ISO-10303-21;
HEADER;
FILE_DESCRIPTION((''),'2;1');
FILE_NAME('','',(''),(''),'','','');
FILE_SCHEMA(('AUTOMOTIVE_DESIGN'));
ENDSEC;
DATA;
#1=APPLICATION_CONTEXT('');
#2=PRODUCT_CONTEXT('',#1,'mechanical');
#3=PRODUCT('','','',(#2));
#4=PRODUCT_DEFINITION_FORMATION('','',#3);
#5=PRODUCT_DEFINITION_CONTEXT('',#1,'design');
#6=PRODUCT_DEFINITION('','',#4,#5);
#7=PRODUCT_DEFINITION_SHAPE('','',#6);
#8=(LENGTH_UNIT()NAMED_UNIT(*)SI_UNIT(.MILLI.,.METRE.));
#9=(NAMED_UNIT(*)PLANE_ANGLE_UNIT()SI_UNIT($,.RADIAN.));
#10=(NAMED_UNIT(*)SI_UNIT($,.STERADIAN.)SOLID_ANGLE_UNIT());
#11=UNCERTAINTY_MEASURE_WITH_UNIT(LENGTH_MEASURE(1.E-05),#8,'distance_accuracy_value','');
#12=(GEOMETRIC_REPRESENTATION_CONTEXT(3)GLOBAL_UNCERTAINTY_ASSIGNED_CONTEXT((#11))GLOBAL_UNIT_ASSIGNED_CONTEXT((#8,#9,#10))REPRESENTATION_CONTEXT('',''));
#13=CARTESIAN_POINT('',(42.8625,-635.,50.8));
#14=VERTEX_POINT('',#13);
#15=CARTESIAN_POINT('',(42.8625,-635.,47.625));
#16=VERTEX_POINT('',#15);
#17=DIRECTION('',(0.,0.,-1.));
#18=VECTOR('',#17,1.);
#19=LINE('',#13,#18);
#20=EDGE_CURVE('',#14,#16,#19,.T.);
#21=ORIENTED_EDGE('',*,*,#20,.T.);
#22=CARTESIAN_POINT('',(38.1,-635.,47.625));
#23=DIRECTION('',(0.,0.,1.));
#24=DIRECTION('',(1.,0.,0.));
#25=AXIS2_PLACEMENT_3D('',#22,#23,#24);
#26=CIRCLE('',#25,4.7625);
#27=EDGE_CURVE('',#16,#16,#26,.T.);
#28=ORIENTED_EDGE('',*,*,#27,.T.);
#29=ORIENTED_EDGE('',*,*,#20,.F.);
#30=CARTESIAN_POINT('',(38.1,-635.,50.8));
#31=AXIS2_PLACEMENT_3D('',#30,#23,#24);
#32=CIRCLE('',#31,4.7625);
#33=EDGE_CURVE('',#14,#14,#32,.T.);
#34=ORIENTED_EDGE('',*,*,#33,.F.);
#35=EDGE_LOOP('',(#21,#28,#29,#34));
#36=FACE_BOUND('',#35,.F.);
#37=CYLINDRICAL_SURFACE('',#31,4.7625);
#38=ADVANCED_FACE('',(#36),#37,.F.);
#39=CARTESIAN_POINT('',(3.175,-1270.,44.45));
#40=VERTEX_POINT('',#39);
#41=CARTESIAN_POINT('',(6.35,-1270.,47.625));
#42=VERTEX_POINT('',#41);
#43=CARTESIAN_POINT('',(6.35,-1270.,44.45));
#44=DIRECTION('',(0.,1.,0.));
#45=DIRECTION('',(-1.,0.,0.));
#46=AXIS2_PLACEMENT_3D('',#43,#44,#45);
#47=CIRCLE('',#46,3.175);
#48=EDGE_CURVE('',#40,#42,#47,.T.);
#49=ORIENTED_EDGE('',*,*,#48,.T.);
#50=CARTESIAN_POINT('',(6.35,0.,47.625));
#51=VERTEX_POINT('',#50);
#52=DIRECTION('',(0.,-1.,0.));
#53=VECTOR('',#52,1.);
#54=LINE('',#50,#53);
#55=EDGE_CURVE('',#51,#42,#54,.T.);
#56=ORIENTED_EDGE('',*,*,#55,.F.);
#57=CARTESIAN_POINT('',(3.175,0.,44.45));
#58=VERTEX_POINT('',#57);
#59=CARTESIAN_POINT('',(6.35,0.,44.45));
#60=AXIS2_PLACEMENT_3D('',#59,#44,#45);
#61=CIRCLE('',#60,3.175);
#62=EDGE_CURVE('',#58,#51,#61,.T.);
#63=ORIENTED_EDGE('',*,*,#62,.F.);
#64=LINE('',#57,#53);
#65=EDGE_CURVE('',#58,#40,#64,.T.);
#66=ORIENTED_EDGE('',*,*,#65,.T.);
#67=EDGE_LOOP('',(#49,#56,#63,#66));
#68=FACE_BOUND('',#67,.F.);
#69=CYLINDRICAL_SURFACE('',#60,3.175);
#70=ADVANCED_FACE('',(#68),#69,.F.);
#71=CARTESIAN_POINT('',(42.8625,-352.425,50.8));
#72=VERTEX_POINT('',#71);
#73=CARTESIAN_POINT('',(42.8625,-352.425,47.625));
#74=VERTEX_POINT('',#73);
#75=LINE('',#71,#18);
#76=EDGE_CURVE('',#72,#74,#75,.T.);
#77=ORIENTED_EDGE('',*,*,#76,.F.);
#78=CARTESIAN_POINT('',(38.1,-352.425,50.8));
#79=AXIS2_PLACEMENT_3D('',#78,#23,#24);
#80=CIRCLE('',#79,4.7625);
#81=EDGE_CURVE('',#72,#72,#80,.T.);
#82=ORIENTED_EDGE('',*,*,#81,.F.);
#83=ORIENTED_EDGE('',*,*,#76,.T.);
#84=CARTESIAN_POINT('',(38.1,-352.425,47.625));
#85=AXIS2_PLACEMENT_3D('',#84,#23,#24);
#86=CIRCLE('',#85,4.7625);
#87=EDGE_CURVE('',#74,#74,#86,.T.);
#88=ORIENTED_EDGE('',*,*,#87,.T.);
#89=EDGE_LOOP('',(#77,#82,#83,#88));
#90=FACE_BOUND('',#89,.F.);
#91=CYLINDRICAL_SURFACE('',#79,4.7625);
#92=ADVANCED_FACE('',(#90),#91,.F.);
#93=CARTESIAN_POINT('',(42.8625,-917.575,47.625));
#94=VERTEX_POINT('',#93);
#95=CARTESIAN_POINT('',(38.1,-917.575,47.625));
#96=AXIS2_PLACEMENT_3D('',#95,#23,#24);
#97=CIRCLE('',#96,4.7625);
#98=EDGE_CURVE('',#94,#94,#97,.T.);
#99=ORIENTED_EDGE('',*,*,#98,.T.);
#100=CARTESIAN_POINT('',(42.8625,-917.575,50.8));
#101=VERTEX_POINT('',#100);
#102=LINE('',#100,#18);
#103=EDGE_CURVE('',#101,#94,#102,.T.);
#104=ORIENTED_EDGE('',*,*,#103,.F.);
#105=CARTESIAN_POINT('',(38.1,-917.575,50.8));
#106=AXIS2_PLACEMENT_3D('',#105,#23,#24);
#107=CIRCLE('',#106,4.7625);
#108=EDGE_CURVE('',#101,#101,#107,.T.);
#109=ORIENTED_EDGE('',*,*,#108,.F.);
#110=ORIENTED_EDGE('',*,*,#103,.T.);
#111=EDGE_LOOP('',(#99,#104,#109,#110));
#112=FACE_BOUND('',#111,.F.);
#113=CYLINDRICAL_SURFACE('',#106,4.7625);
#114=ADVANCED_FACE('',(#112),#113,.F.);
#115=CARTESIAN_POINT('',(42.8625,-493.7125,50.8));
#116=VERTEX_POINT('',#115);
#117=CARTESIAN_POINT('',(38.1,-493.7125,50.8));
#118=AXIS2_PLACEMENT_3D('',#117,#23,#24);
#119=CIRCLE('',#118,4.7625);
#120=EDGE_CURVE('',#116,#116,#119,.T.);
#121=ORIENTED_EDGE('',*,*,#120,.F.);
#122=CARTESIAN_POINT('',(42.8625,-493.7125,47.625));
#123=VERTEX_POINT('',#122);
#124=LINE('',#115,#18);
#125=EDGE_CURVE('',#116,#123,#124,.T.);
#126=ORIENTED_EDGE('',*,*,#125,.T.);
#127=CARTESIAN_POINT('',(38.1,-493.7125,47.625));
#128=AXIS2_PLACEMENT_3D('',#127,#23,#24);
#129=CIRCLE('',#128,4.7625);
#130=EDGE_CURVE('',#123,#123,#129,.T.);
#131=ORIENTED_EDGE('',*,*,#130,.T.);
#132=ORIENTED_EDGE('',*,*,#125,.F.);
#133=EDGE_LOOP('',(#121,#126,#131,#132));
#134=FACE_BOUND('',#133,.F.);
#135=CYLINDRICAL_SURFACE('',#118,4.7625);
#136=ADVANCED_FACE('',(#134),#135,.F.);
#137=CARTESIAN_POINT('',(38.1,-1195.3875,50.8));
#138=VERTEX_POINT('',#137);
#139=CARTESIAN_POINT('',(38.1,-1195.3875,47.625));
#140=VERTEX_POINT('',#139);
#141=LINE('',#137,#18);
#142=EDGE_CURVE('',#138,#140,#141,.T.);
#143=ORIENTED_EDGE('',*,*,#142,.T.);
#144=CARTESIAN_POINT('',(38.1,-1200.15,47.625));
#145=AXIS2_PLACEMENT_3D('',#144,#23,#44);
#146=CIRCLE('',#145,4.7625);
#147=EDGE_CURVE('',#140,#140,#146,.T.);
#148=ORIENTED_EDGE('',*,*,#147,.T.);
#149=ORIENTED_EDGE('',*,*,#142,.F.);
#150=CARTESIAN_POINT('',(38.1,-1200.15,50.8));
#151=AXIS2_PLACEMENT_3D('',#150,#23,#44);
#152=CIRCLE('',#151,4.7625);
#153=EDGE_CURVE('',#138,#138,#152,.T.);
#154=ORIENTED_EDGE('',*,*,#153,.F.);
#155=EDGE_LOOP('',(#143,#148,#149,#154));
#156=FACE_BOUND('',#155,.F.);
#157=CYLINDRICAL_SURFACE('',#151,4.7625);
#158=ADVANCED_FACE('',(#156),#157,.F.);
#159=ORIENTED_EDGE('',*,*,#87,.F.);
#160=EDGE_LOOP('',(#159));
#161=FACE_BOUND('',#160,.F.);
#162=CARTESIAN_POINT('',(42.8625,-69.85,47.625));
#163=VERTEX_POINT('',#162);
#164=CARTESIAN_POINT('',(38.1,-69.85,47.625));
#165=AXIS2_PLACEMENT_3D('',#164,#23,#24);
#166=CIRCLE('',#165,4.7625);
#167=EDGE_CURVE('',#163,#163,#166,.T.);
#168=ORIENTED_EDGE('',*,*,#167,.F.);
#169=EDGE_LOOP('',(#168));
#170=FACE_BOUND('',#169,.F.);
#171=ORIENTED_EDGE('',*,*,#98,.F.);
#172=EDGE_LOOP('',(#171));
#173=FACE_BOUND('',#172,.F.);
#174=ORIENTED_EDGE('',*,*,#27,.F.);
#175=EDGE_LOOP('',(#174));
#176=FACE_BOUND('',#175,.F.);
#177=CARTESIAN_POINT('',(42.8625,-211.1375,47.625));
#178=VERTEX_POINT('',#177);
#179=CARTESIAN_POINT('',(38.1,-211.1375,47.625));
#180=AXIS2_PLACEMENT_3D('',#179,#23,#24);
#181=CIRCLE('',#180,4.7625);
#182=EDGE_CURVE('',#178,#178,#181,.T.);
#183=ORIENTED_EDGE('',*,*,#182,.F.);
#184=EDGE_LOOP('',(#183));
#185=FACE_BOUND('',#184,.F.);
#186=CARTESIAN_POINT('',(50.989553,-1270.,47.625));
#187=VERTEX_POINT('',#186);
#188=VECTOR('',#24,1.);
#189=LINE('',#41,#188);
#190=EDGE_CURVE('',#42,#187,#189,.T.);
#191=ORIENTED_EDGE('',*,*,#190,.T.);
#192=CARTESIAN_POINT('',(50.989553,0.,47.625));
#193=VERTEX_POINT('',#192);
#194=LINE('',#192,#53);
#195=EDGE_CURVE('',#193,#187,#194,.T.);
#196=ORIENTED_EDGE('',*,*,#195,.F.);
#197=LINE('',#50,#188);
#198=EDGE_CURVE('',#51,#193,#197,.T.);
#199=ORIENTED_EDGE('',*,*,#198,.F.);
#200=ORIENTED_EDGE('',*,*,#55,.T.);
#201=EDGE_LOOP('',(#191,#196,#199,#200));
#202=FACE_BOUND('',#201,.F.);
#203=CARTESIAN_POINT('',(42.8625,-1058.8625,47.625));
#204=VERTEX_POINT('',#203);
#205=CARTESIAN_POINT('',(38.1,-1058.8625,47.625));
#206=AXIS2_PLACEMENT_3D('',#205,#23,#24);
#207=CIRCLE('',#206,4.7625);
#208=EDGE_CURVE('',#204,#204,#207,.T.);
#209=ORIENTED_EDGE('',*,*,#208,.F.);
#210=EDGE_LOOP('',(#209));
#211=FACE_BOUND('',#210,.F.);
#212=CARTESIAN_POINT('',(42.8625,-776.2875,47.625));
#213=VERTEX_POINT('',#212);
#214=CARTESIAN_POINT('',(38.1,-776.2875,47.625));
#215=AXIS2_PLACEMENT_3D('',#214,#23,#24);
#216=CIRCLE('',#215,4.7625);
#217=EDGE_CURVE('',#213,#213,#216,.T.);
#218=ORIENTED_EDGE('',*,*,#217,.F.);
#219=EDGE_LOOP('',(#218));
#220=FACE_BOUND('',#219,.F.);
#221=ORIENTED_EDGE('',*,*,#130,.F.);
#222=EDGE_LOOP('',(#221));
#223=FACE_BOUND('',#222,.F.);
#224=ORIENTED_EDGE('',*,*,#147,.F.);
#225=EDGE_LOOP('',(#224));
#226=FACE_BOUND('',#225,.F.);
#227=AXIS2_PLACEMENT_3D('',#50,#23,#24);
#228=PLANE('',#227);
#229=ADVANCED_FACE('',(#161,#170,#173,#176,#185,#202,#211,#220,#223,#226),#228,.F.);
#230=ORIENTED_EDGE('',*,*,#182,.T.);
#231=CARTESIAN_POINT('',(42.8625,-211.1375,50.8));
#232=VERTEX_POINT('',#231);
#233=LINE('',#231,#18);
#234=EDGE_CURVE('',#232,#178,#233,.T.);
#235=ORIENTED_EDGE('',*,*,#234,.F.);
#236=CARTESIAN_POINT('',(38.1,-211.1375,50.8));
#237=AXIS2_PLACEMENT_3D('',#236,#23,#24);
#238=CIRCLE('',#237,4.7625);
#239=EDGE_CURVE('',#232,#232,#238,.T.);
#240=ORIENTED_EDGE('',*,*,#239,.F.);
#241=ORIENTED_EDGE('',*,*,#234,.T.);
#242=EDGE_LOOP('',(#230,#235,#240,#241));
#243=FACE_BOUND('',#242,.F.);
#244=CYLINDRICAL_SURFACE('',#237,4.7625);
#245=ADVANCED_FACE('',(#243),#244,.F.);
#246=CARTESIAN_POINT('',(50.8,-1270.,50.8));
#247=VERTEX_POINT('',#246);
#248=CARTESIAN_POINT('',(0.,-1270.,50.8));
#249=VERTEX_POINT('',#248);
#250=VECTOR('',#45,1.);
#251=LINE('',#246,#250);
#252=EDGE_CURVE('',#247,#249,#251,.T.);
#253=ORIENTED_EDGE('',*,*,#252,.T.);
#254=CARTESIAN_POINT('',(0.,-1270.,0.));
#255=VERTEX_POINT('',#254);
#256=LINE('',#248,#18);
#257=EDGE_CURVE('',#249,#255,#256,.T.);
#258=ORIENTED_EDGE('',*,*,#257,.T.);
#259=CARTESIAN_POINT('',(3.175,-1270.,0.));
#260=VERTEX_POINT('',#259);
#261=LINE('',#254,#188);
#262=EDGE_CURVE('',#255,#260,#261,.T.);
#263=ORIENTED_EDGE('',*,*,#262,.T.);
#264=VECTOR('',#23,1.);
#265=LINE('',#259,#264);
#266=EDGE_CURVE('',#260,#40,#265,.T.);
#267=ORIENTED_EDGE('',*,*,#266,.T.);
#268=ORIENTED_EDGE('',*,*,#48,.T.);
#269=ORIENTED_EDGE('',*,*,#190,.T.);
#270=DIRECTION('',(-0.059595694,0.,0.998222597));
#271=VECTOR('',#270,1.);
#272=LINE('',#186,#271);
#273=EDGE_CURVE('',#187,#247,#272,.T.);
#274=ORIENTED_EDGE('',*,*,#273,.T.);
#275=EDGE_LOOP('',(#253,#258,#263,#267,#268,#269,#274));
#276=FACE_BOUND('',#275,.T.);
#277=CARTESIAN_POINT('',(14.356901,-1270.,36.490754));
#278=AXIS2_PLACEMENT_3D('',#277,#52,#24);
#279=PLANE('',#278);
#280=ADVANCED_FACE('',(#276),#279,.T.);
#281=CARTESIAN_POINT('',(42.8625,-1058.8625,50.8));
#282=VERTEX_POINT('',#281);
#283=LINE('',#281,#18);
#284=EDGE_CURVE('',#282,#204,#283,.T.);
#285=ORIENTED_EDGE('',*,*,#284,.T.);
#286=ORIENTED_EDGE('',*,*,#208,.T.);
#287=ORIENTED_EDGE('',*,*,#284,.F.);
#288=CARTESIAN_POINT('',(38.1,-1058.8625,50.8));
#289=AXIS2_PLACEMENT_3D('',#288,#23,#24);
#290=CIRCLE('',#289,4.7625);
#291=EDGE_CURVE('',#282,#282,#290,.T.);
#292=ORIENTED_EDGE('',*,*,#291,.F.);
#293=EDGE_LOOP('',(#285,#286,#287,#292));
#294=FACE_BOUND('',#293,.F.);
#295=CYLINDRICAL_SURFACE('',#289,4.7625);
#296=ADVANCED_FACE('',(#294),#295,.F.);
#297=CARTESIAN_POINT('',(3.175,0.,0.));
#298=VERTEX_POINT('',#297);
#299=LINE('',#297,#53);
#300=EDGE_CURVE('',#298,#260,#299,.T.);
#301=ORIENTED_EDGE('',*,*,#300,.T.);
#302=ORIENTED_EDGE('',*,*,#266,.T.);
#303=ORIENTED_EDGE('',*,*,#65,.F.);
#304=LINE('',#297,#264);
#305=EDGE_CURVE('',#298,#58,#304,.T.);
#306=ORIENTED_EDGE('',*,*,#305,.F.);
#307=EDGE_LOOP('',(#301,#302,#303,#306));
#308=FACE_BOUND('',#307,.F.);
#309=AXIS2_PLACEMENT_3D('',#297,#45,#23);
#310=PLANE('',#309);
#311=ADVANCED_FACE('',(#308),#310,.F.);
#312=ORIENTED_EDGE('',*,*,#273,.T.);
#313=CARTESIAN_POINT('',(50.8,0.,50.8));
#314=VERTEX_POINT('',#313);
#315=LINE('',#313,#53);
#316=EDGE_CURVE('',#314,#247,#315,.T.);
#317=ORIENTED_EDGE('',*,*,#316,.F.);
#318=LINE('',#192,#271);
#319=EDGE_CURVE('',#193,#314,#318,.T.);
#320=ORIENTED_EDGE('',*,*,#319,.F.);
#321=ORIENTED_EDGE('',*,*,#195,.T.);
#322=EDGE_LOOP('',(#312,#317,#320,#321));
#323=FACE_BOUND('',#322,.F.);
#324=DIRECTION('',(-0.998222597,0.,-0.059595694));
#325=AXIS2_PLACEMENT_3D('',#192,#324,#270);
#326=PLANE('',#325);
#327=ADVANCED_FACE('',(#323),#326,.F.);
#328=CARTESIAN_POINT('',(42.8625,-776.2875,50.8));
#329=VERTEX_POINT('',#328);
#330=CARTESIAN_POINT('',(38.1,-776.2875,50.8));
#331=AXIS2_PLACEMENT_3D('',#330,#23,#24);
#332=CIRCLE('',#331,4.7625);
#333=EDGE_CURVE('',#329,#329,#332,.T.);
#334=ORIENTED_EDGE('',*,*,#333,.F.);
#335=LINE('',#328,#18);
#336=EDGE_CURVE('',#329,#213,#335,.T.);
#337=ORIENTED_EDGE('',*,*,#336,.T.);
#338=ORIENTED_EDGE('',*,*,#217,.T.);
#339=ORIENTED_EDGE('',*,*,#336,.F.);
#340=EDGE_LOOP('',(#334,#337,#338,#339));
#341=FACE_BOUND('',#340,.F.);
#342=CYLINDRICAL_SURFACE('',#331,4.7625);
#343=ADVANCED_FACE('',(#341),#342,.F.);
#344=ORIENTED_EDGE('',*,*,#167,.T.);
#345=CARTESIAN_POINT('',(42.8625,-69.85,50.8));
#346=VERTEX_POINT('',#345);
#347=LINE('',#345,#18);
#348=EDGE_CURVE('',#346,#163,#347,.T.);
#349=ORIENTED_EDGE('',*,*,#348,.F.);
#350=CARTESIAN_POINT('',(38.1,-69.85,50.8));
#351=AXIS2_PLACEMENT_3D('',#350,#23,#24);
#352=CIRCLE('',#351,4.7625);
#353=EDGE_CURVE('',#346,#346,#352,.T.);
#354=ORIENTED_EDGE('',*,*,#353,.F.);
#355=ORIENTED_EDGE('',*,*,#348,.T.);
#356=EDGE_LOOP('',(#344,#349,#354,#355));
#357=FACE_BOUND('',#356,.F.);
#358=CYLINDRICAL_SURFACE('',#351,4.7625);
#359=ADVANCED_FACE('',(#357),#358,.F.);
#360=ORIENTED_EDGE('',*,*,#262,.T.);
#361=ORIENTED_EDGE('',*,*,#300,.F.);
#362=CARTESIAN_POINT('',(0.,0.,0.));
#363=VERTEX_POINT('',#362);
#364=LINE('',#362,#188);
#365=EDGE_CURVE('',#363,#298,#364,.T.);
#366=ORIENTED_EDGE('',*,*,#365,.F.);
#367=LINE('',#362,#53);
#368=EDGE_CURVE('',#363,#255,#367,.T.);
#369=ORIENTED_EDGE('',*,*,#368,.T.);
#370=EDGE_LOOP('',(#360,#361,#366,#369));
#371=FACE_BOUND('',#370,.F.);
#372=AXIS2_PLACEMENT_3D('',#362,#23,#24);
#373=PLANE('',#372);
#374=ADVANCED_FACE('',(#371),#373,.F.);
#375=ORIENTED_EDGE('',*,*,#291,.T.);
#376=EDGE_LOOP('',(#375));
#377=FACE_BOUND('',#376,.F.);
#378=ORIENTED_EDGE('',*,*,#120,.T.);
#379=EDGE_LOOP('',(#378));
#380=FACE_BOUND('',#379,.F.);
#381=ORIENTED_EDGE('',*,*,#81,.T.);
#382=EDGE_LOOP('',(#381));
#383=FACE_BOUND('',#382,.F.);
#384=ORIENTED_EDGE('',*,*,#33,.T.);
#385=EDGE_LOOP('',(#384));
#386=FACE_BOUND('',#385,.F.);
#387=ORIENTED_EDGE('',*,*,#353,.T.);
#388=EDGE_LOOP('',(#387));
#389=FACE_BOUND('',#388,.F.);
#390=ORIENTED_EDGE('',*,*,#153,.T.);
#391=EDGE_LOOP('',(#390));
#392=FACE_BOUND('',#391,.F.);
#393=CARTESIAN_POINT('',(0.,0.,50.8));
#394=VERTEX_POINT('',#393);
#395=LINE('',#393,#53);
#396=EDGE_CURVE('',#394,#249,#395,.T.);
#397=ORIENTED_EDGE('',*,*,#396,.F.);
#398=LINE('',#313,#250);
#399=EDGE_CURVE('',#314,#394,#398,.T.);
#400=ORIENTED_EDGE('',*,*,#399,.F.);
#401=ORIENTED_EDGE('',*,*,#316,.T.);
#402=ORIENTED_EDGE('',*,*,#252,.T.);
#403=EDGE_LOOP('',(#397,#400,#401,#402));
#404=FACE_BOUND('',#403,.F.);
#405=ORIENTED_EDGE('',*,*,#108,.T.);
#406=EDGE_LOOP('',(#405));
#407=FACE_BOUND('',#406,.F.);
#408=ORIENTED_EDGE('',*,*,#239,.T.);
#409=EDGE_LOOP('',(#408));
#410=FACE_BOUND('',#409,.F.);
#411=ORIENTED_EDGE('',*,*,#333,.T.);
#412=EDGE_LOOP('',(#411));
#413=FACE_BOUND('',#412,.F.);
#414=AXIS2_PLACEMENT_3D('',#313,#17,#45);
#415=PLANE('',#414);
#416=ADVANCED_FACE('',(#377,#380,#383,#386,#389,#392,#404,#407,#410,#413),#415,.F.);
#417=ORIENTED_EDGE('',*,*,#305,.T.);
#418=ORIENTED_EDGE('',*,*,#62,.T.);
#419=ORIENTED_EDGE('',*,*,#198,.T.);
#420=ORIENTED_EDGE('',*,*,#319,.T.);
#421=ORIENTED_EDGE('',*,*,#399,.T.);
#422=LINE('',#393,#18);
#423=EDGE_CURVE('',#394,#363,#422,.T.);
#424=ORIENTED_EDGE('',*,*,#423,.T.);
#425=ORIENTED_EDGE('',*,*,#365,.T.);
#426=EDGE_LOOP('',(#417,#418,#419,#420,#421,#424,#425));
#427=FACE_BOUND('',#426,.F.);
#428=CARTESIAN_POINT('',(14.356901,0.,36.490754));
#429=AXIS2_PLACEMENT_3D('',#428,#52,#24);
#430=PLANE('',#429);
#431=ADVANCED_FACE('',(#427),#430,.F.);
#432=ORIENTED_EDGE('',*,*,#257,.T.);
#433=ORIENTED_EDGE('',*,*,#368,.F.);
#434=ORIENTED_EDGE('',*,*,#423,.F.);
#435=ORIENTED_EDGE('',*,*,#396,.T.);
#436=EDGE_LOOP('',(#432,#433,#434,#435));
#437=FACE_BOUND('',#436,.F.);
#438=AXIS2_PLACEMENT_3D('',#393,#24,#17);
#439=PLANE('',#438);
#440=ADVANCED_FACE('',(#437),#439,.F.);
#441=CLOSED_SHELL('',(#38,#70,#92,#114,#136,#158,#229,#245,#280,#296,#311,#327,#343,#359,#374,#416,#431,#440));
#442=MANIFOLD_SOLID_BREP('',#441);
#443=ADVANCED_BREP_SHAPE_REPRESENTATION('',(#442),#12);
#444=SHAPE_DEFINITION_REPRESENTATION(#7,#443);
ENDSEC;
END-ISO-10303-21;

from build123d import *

# Parameters (mm, degrees)
F1_DEPTH = 1270
F3_DEPTH = 50.801


with BuildPart() as f1:
    # F0 (on Front) → F1 (new body)
    with BuildSketch(Plane.XZ):
        with BuildLine():
            Line((0, 50.8), (0, 0))
            Line((0, 0), (3.175, 0))
            Line((3.175, 0), (3.175, 44.45))
            ThreePointArc((3.175, 44.45), (4.1049359697, 46.6950640303), (6.35, 47.625))
            Line((6.35, 47.625), (50.9895532397, 47.625))
            Line((50.9895532397, 47.625), (50.8, 50.8))
            Line((50.8, 50.8), (0, 50.8))
        make_face()
    extrude(amount=F1_DEPTH)

    # F2 (on face) → F3 (cut, through all)
    with BuildSketch(Plane.XY.offset(50.8)):
        with BuildLine():
            ThreePointArc((38.1, -74.6125), (41.4675960454, -73.2175960454), (42.8625, -69.85))
            ThreePointArc((42.8625, -69.85), (34.7324039546, -66.4824039546), (38.1, -74.6125))
        make_face()
        with BuildLine():
            ThreePointArc((42.8625, -211.1375), (41.4675960454, -207.7699039546), (38.1, -206.375))
            Line((38.1, -206.375), (38.1, -211.1375))
            Line((38.1, -211.1375), (38.1, -215.9))
            ThreePointArc((38.1, -215.9), (41.4675960454, -214.5050960454), (42.8625, -211.1375))
        make_face()
        with BuildLine():
            Line((38.1, -211.1375), (38.1, -206.375))
            ThreePointArc((38.1, -206.375), (33.3375, -211.1375), (38.1, -215.9))
            Line((38.1, -215.9), (38.1, -211.1375))
        make_face()
        with BuildLine():
            ThreePointArc((42.8625, -352.425), (41.4675960454, -349.0574039546), (38.1, -347.6625))
            Line((38.1, -347.6625), (38.1, -352.425))
            Line((38.1, -352.425), (38.1, -357.1875))
            ThreePointArc((38.1, -357.1875), (41.4675960454, -355.7925960454), (42.8625, -352.425))
        make_face()
        with BuildLine():
            ThreePointArc((42.8625, -493.7125), (41.4675960454, -490.3449039546), (38.1, -488.95))
            Line((38.1, -488.95), (38.1, -493.7125))
            Line((38.1, -493.7125), (38.1, -498.475))
            ThreePointArc((38.1, -498.475), (41.4675960454, -497.0800960454), (42.8625, -493.7125))
        make_face()
        with BuildLine():
            Line((38.1, -493.7125), (38.1, -488.95))
            ThreePointArc((38.1, -488.95), (33.3375, -493.7125), (38.1, -498.475))
            Line((38.1, -498.475), (38.1, -493.7125))
        make_face()
        with BuildLine():
            ThreePointArc((42.8625, -776.2875), (41.4675960454, -772.9199039546), (38.1, -771.525))
            Line((38.1, -771.525), (38.1, -776.2875))
            Line((38.1, -776.2875), (38.1, -781.05))
            ThreePointArc((38.1, -781.05), (41.4675960454, -779.6550960454), (42.8625, -776.2875))
        make_face()
        with BuildLine():
            Line((38.1, -776.2875), (38.1, -771.525))
            ThreePointArc((38.1, -771.525), (33.3375, -776.2875), (38.1, -781.05))
            Line((38.1, -781.05), (38.1, -776.2875))
        make_face()
        with BuildLine():
            ThreePointArc((42.8625, -635), (41.4675960454, -631.6324039546), (38.1, -630.2375))
            Line((38.1, -630.2375), (38.1, -635))
            Line((38.1, -635), (38.1, -639.7625))
            ThreePointArc((38.1, -639.7625), (41.4675960454, -638.3675960454), (42.8625, -635))
        make_face()
        with BuildLine():
            Line((38.1, -635), (38.1, -630.2375))
            ThreePointArc((38.1, -630.2375), (33.3375, -635), (38.1, -639.7625))
            Line((38.1, -639.7625), (38.1, -635))
        make_face()
        with BuildLine():
            ThreePointArc((42.8625, -917.575), (41.4675960454, -914.2074039546), (38.1, -912.8125))
            Line((38.1, -912.8125), (38.1, -917.575))
            Line((38.1, -917.575), (38.1, -922.3375))
            ThreePointArc((38.1, -922.3375), (41.4675960454, -920.9425960454), (42.8625, -917.575))
        make_face()
        with BuildLine():
            Line((38.1, -917.575), (38.1, -912.8125))
            ThreePointArc((38.1, -912.8125), (33.3375, -917.575), (38.1, -922.3375))
            Line((38.1, -922.3375), (38.1, -917.575))
        make_face()
        with BuildLine():
            Line((38.1, -1058.8625), (38.1, -1054.1))
            ThreePointArc((38.1, -1054.1), (33.3375, -1058.8625), (38.1, -1063.625))
            Line((38.1, -1063.625), (38.1, -1058.8625))
        make_face()
        with BuildLine():
            ThreePointArc((42.8625, -1058.8625), (41.4675960454, -1055.4949039546), (38.1, -1054.1))
            Line((38.1, -1054.1), (38.1, -1058.8625))
            Line((38.1, -1058.8625), (38.1, -1063.625))
            ThreePointArc((38.1, -1063.625), (41.4675960454, -1062.2300960454), (42.8625, -1058.8625))
        make_face()
        with BuildLine():
            ThreePointArc((42.8625, -1200.15), (41.4675960454, -1196.7824039546), (38.1, -1195.3875))
            ThreePointArc((38.1, -1195.3875), (34.7324039546, -1203.5175960454), (42.8625, -1200.15))
        make_face()
        with BuildLine():
            Line((38.1, -352.425), (38.1, -347.6625))
            ThreePointArc((38.1, -347.6625), (33.3375, -352.425), (38.1, -357.1875))
            Line((38.1, -357.1875), (38.1, -352.425))
        make_face()
    extrude(amount=-F3_DEPTH, mode=Mode.SUBTRACT)


solid = f1.part
